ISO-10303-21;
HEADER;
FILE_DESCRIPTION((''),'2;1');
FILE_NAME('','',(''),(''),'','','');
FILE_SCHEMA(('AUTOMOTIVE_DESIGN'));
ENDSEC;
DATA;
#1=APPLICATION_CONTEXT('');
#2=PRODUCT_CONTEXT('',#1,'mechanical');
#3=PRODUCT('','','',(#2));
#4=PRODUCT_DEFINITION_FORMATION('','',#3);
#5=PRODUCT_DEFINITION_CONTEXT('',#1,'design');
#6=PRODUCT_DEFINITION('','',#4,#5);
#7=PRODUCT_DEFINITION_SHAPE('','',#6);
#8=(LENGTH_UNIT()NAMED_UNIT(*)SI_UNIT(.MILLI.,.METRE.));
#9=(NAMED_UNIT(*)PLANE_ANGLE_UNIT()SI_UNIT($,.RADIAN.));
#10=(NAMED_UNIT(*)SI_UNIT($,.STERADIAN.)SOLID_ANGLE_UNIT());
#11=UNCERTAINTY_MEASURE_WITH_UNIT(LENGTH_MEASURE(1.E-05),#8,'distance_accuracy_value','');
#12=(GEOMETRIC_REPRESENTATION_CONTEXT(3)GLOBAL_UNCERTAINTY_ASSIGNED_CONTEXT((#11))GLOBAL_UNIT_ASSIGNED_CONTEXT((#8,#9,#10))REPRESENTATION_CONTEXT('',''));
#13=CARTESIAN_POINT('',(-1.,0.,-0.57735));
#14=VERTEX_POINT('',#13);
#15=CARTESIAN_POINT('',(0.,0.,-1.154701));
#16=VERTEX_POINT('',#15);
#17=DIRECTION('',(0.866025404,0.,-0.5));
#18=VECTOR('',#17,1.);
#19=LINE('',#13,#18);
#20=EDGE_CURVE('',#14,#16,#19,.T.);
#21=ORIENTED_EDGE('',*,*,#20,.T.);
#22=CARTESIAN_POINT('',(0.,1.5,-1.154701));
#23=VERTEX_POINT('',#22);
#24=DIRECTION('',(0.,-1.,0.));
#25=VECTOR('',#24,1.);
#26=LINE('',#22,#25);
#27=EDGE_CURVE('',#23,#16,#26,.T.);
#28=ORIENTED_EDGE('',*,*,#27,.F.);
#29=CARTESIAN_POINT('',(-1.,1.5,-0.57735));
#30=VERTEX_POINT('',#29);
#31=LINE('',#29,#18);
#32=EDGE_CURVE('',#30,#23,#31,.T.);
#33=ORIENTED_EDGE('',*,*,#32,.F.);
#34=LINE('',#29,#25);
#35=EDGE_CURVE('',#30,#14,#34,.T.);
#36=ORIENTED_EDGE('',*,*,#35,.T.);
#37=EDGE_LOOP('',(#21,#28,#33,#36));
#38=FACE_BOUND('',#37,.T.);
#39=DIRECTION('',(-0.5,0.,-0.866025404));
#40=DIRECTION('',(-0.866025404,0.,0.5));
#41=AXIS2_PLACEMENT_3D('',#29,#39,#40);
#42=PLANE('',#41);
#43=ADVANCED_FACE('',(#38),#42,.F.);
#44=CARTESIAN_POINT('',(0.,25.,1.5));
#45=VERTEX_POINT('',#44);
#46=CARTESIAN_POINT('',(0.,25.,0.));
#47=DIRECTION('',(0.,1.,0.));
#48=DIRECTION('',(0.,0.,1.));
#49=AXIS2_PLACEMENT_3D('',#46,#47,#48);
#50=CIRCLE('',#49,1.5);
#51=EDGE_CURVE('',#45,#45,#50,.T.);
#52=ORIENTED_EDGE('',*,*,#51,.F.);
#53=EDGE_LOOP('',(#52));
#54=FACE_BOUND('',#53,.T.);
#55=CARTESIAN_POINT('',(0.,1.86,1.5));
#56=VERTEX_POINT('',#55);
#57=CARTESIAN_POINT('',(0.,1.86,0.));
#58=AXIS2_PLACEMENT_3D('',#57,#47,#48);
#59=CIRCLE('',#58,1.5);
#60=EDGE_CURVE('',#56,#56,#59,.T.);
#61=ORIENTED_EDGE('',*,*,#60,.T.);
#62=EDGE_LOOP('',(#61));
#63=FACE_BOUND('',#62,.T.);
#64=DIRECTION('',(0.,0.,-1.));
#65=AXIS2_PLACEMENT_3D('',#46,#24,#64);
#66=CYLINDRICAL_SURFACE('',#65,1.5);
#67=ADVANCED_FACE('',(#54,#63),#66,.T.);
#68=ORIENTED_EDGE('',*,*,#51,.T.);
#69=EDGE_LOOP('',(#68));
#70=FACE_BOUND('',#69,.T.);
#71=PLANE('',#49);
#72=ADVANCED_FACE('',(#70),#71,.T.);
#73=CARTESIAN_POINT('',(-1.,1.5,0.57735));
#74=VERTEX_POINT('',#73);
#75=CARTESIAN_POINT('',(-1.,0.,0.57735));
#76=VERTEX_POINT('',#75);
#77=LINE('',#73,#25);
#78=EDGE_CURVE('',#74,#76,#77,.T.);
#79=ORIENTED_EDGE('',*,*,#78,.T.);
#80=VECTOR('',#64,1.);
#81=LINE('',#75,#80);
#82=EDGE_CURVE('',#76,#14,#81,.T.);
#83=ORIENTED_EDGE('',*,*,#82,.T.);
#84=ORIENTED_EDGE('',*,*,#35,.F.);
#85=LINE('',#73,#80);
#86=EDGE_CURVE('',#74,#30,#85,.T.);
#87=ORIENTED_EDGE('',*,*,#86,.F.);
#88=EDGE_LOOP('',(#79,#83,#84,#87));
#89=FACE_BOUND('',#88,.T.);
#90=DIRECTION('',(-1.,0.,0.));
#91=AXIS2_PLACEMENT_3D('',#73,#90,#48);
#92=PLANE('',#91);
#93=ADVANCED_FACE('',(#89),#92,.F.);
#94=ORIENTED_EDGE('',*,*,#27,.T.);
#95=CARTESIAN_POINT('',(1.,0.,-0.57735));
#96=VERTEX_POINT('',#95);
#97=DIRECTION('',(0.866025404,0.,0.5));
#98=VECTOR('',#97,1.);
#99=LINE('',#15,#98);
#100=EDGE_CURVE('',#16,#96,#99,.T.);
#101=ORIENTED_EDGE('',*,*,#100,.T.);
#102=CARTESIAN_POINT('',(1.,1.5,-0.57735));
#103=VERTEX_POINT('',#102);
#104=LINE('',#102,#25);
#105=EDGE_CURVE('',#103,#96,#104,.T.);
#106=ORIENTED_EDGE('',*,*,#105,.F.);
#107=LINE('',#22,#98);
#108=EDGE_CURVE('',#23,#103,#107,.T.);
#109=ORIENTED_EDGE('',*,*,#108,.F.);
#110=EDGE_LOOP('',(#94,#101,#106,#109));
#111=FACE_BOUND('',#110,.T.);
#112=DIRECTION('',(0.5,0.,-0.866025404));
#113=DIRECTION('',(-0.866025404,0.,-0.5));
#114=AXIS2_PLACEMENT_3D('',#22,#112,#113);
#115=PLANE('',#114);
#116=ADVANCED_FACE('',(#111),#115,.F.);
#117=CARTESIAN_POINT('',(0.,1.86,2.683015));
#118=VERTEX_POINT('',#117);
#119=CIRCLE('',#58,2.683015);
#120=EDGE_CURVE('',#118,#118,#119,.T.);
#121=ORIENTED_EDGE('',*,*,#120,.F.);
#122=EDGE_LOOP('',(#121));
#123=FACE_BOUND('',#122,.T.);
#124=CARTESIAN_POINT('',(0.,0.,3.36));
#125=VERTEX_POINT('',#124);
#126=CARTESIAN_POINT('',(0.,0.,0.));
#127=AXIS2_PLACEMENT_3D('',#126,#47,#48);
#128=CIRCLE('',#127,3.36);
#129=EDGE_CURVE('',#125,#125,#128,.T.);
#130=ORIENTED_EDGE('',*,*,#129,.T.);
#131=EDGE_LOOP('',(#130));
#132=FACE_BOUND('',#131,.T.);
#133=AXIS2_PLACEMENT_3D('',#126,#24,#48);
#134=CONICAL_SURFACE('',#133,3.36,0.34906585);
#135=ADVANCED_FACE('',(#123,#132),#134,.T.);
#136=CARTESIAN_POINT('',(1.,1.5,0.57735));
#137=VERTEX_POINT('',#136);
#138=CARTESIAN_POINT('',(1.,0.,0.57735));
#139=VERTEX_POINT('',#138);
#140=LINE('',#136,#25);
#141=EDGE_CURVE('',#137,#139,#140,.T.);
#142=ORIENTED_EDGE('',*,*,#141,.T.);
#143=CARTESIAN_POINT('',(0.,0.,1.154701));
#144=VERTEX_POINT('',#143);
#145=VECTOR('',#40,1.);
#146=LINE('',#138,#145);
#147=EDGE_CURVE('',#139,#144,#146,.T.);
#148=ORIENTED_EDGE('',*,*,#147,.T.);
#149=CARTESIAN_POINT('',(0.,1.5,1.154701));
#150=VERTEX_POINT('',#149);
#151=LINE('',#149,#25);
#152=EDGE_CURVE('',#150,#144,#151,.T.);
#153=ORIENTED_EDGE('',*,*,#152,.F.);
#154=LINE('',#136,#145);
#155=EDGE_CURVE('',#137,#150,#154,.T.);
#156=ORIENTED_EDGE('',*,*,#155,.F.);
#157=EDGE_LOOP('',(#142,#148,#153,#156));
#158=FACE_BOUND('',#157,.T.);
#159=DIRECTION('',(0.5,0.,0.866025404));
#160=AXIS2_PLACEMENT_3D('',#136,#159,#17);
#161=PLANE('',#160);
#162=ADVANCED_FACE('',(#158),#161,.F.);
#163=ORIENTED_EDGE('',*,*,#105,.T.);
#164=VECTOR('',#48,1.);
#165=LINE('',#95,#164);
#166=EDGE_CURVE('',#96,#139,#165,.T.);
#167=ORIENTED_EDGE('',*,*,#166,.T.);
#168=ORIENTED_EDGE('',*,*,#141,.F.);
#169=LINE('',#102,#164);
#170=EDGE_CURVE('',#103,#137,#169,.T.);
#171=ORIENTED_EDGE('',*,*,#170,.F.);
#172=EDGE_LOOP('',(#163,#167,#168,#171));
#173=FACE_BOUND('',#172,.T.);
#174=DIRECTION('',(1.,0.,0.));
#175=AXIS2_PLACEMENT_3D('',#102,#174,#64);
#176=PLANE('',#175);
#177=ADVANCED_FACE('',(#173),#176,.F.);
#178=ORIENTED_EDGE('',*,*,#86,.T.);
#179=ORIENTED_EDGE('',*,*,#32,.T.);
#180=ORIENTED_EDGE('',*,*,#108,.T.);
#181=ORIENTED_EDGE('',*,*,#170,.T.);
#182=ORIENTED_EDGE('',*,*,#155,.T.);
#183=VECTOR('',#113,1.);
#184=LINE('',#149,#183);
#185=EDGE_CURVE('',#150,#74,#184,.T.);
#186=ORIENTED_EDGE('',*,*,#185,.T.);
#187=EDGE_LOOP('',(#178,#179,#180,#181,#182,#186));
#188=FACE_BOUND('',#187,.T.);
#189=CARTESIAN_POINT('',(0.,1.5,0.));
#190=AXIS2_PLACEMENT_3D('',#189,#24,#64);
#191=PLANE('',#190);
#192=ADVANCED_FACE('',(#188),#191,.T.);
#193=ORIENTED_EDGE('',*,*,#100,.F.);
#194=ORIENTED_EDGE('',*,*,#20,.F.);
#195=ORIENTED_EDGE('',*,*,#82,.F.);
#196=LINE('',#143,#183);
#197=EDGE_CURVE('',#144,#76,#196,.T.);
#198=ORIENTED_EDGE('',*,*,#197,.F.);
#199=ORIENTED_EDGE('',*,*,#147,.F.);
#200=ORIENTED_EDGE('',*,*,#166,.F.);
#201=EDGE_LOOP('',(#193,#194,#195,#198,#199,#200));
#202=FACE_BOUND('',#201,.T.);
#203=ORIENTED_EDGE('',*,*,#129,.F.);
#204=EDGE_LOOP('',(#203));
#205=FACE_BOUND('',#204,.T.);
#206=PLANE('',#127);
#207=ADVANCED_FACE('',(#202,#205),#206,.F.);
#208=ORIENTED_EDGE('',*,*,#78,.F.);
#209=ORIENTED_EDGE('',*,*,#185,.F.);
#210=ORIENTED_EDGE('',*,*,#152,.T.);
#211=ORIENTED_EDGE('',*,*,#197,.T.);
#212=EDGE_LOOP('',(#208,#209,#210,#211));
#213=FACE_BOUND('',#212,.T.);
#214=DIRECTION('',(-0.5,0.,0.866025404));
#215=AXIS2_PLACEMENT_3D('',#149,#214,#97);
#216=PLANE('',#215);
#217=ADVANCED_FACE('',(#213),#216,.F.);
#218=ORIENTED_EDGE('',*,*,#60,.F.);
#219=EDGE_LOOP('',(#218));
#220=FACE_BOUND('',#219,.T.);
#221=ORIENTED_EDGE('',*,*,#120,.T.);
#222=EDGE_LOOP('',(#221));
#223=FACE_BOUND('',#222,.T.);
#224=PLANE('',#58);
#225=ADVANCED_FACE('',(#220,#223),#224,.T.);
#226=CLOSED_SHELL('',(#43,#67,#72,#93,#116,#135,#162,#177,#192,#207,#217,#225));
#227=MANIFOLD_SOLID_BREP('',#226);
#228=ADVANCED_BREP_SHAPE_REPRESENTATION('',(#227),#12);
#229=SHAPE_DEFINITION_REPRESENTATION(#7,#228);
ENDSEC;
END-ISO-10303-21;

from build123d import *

# Parameters (mm, degrees)
SKETCH1_R           = 3.36
BOSS_EXTRUDE1_DEPTH = 1.86
BOSS_EXTRUDE1_TAPER = 20
SKETCH2_R           = 1.5
BOSS_EXTRUDE2_DEPTH = 23.14
CUT_EXTRUDE1_DEPTH  = 1.5


with BuildPart() as part:
    # Sketch1 → Boss-Extrude1 (new body)
    with BuildSketch(Plane(origin=(0, 0, 0), x_dir=(1, 0, 0), z_dir=(0, 1, 0))):
        Circle(SKETCH1_R)
    extrude(amount=BOSS_EXTRUDE1_DEPTH, taper=BOSS_EXTRUDE1_TAPER)

    # Sketch2 → Boss-Extrude2 (add)
    with BuildSketch(Plane(origin=(0, 1.86, 0), x_dir=(1, 0, 0), z_dir=(0, 1, 0))):
        with Locations(Location((0, 0, 0), (0, 0, 270))):
            Circle(SKETCH2_R)
    extrude(amount=BOSS_EXTRUDE2_DEPTH)

    # Sketch3 → Cut-Extrude1 (cut)
    with BuildSketch(Plane.XZ):
        Polygon((0, 1.154700538), (-1, 0.577350269), (-1, -0.577350269), (0, -1.154700538), (1, -0.577350269), (1, 0.577350269), align=None)
    extrude(amount=-CUT_EXTRUDE1_DEPTH, mode=Mode.SUBTRACT)


solid = part.part
